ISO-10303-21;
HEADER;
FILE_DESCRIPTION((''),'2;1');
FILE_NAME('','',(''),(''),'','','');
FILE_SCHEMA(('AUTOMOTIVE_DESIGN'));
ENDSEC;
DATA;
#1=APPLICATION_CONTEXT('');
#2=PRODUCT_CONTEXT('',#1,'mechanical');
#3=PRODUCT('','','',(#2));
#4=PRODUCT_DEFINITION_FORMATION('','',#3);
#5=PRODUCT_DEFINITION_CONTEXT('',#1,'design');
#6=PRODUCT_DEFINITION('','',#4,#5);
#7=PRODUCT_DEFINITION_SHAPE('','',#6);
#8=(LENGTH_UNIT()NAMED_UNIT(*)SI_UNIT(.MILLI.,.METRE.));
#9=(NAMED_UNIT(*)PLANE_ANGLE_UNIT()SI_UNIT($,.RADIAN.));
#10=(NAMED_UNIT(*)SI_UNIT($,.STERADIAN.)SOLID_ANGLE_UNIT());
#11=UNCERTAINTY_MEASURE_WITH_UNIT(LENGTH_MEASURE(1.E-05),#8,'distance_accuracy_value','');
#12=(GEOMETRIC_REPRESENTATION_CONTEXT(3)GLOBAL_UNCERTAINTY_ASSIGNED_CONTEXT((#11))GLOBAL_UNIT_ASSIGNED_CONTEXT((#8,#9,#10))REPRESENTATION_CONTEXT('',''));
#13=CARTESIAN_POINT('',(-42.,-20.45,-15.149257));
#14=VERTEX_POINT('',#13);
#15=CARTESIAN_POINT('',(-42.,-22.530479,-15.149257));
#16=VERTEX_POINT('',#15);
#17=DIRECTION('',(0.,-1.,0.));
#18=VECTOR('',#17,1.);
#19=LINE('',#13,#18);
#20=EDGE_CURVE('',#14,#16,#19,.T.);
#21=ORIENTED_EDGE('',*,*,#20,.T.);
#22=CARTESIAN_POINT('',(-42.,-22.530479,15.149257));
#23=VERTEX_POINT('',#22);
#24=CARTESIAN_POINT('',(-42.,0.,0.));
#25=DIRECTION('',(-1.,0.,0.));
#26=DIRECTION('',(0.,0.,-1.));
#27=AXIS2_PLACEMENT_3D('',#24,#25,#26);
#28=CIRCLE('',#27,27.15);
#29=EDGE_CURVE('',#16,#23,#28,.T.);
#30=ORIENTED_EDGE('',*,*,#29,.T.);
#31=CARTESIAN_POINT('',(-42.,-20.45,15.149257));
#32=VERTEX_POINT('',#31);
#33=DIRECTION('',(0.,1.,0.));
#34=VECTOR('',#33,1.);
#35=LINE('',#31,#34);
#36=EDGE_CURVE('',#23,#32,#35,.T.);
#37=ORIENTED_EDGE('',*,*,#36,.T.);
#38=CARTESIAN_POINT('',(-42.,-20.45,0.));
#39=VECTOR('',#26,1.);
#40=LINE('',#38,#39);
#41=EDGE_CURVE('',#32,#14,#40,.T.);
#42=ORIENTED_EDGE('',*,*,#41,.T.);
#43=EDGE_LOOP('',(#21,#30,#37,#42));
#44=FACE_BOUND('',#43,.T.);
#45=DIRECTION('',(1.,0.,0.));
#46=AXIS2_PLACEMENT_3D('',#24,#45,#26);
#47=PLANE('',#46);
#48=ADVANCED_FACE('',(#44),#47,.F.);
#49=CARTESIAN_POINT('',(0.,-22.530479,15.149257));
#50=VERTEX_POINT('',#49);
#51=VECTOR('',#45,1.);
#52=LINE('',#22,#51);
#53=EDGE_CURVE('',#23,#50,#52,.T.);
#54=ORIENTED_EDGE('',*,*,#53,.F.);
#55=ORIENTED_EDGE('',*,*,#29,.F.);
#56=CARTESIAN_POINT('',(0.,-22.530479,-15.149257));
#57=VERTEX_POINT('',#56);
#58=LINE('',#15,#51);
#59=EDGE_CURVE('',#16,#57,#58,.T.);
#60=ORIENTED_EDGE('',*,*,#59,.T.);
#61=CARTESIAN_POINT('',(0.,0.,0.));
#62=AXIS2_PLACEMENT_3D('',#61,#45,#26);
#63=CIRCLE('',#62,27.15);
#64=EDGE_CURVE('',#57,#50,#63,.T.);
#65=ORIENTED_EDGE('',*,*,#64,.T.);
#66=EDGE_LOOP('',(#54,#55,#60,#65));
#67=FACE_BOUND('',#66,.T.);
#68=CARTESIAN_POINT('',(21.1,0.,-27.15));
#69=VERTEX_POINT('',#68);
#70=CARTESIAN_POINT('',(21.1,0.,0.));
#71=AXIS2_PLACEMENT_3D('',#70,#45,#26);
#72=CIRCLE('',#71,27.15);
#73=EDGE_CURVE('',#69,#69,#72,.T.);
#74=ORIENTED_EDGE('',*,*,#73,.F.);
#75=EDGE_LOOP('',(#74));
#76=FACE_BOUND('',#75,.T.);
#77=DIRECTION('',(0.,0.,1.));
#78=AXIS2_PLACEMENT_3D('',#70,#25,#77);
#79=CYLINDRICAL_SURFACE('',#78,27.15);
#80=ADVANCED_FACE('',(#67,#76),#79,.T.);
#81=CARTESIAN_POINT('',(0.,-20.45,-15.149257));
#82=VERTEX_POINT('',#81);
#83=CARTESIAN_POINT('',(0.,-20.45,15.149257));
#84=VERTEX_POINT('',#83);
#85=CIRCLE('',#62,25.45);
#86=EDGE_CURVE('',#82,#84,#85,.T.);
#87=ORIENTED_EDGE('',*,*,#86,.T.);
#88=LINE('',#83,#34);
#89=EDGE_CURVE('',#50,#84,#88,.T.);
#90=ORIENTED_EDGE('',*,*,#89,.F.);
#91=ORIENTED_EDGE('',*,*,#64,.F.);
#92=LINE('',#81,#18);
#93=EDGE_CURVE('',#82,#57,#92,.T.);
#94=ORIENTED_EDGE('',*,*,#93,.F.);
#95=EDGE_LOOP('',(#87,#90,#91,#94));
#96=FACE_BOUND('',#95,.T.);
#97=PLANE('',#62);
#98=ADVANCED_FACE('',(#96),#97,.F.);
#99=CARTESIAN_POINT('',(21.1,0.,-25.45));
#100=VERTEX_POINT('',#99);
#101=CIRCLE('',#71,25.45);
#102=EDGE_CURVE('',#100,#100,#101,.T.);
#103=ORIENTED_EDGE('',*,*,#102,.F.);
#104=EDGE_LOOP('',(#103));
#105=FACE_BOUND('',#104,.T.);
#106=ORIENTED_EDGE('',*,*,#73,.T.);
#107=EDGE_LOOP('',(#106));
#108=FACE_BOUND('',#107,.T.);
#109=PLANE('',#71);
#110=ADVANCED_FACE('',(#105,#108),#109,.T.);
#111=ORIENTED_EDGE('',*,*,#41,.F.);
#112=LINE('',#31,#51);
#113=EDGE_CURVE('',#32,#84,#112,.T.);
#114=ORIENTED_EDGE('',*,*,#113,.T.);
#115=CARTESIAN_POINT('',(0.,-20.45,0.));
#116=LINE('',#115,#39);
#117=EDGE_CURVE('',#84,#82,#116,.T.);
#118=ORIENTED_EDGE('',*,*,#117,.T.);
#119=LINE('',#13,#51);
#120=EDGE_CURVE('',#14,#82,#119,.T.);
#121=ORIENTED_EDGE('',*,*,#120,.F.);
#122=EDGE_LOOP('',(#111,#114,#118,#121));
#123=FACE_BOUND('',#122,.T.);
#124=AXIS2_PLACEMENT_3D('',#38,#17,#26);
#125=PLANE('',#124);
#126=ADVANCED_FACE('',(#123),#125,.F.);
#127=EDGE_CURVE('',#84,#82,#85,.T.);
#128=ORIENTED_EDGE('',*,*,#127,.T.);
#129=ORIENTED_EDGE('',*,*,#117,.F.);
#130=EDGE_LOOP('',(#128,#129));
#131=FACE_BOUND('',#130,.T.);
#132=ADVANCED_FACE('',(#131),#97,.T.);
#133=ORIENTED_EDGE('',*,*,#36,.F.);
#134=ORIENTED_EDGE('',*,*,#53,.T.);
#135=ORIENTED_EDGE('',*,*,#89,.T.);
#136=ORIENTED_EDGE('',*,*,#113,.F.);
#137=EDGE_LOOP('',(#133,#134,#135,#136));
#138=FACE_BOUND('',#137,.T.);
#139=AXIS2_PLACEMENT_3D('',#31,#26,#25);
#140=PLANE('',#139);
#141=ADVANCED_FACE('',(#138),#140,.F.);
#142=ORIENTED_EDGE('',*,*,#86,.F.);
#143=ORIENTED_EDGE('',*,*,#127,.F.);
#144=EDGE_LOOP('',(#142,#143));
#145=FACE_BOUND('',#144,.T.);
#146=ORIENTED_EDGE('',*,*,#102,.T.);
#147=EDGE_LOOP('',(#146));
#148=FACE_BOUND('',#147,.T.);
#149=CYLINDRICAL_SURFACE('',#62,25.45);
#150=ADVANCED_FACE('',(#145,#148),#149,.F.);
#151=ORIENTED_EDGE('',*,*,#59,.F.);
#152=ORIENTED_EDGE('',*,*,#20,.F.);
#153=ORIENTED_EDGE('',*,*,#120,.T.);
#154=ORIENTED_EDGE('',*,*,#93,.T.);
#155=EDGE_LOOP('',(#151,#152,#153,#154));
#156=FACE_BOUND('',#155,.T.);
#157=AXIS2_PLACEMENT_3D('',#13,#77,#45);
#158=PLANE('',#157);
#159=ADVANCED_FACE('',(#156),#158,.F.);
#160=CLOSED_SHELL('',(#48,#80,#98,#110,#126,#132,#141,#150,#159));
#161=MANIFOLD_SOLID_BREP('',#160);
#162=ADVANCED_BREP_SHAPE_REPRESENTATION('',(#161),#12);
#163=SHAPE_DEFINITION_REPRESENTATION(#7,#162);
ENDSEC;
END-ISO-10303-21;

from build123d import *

# Parameters (mm, degrees)
SKETCH1_R           = 27.15
BOSS_EXTRUDE1_DEPTH = 21.1
SKETCH2_R           = 25.45
CUT_EXTRUDE1_DEPTH  = 21.1
BOSS_EXTRUDE3_DEPTH = 42


with BuildPart() as part:
    # Sketch1 → Boss-Extrude1 (new body)
    with BuildSketch(Plane(origin=(0, 0, 0), x_dir=(0, 0, -1), z_dir=(1, 0, 0))):
        Circle(SKETCH1_R)
    extrude(amount=BOSS_EXTRUDE1_DEPTH)

    # Sketch2 → Cut-Extrude1 (cut)
    with BuildSketch(Plane(origin=(21.1, 0, 0), x_dir=(0, 0, -1), z_dir=(1, 0, 0))):
        Circle(SKETCH2_R)
    extrude(amount=-CUT_EXTRUDE1_DEPTH, mode=Mode.SUBTRACT)

    # Sketch3 → Boss-Extrude3 (add)
    with BuildSketch(Plane.ZY):
        with BuildLine():
            Line((0, -20.45), (-15.149257408, -20.45))
            Line((-15.149257408, -20.45), (-15.149257408, -22.530479356))
            ThreePointArc((-15.149257408, -22.530479356), (0, -27.15), (15.149257408, -22.530479356))
            Line((15.149257408, -22.530479356), (15.149257408, -20.45))
            Line((15.149257408, -20.45), (0, -20.45))
        make_face()
    extrude(amount=BOSS_EXTRUDE3_DEPTH)


solid = part.part
